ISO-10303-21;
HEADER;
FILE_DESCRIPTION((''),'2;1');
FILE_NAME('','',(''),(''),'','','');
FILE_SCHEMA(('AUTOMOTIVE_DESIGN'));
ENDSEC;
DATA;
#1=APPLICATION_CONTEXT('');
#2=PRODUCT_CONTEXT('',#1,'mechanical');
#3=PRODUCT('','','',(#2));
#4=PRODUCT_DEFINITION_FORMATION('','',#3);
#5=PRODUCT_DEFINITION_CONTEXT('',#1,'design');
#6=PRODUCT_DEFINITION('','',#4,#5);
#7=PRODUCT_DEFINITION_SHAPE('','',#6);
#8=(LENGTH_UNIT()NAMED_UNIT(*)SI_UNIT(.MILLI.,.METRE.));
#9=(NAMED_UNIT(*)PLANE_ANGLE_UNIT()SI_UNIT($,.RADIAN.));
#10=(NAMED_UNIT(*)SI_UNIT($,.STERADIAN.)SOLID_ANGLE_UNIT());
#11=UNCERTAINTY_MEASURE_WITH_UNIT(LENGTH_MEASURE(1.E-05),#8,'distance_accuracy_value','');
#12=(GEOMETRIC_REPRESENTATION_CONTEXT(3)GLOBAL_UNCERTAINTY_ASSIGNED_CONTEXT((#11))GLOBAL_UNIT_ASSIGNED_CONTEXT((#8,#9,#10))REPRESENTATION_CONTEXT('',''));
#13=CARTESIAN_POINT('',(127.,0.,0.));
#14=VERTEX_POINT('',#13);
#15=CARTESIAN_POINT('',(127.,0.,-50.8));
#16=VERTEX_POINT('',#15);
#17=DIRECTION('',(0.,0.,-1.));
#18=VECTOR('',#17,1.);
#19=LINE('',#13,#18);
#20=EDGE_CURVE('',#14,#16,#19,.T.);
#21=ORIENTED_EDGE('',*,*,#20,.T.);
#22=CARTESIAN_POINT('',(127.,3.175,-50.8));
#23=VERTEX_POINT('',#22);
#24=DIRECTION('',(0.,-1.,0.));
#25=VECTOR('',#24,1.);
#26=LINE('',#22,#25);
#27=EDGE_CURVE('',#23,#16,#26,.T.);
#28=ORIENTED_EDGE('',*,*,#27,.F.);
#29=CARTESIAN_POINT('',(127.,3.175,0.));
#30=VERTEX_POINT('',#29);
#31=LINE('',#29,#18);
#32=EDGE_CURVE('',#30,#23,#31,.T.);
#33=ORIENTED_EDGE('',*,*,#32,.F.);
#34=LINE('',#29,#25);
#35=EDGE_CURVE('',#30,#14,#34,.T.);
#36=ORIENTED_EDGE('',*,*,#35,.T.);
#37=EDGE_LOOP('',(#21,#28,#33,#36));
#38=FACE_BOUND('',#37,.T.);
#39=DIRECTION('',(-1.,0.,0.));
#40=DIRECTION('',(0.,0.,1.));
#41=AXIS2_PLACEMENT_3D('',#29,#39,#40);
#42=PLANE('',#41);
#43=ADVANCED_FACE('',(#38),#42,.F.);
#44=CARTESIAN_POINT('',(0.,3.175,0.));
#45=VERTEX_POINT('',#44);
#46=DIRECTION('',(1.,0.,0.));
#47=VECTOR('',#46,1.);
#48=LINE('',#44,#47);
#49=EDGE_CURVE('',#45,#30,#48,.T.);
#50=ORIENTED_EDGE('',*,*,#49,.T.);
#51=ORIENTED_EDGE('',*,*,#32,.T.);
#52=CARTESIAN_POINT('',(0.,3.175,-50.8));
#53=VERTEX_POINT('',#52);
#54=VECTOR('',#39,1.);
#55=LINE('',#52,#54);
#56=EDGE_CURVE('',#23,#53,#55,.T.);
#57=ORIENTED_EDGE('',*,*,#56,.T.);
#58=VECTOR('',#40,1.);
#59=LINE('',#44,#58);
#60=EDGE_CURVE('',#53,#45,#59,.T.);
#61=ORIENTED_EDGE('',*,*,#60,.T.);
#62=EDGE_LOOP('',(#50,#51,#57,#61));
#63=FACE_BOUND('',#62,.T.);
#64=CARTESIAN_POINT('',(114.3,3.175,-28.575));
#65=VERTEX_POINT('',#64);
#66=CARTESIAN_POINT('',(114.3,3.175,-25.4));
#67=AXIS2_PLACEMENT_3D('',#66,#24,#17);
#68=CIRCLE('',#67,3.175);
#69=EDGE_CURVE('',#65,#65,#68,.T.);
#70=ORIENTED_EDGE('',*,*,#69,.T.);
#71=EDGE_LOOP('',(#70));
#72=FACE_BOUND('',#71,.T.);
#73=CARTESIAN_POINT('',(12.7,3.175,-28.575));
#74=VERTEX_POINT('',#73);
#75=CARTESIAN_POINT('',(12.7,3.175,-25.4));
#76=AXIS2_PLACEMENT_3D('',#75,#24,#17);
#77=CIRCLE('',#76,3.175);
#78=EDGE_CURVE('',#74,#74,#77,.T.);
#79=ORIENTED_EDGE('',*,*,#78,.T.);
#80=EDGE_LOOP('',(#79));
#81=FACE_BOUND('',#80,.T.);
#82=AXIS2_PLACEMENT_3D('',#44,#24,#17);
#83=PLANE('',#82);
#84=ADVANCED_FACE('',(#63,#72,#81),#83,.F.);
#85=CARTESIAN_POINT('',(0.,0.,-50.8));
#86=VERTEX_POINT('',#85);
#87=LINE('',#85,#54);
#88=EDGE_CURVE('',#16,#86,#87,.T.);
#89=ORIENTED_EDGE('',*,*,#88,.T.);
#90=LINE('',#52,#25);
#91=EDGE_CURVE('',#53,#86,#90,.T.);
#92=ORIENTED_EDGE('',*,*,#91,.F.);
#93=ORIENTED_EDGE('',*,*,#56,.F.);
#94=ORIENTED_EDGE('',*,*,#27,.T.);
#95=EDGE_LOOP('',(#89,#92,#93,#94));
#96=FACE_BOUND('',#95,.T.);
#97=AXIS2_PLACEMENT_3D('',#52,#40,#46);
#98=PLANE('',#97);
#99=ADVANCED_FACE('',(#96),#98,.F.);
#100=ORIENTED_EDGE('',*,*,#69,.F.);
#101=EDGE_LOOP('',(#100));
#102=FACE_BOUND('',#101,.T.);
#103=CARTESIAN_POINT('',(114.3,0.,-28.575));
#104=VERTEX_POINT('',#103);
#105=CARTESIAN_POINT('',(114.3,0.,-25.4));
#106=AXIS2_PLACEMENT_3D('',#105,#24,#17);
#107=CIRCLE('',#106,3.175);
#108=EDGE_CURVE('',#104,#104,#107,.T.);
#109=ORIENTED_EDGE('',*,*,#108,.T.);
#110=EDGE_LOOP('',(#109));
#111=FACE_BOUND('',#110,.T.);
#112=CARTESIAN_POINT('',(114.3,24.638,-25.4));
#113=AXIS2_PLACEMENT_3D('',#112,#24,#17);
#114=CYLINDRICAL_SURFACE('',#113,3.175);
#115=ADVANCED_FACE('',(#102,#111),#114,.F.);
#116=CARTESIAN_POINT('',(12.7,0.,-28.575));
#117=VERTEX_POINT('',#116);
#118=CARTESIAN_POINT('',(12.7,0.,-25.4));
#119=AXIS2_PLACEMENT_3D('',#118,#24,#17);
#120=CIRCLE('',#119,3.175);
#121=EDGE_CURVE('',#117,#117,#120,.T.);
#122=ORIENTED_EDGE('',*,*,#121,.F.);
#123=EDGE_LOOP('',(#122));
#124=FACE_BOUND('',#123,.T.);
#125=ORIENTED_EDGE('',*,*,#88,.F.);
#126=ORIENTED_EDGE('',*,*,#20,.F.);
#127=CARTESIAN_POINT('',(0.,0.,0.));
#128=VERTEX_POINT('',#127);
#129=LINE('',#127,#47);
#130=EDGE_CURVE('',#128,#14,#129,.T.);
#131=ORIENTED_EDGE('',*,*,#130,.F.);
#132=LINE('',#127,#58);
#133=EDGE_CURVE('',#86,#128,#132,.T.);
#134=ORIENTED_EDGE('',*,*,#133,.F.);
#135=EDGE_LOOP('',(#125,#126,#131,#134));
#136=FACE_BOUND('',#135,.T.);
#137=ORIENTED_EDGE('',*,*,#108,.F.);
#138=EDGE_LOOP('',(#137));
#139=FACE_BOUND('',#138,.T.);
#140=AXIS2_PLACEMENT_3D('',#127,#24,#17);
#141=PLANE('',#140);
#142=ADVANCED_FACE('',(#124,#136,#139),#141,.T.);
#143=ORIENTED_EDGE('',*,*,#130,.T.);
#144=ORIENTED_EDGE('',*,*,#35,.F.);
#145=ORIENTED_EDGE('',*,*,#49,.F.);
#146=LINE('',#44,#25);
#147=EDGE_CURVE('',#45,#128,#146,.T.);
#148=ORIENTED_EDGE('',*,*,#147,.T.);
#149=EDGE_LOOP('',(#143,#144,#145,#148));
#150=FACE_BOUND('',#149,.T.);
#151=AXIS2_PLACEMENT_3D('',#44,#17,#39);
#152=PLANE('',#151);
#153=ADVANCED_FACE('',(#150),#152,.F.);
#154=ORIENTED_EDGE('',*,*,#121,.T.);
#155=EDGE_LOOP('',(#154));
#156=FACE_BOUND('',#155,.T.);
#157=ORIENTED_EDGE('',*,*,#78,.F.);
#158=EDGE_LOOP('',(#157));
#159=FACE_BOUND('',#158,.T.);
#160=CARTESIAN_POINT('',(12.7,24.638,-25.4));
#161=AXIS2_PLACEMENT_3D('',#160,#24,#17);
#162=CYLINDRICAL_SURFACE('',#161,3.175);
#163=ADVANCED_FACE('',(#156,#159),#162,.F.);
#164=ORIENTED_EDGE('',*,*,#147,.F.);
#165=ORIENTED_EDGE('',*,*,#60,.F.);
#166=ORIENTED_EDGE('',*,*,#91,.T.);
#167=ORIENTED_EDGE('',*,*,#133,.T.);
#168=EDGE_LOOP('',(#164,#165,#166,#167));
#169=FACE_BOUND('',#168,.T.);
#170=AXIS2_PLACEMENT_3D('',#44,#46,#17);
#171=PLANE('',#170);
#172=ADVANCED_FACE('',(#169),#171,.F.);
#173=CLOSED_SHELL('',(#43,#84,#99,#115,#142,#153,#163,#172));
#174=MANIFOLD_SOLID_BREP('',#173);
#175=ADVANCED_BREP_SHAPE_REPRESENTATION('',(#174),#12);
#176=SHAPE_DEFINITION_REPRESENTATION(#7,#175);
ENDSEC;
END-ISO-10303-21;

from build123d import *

# Parameters (mm, degrees)
SKETCH1_W           = 127
SKETCH1_H           = 50.8
BOSS_EXTRUDE1_DEPTH = 3.175
SKETCH2_R           = 3.175
CUT_EXTRUDE1_DEPTH  = 24.638


with BuildPart() as part:
    # Sketch1 → Boss-Extrude1 (new body)
    with BuildSketch(Plane(origin=(0, 0, 0), x_dir=(1, 0, 0), z_dir=(0, 1, 0))):
        with Locations((63.5, 25.4)):
            Rectangle(SKETCH1_W, SKETCH1_H)
    extrude(amount=BOSS_EXTRUDE1_DEPTH)

    # Sketch2 → Cut-Extrude1 (cut)
    with BuildSketch(Plane(origin=(0, 0, 0), x_dir=(-1, 0, 0), z_dir=(0, -1, 0))):
        with Locations(Location((-114.3, 25.4, 0), (0, 0, 90))):
            Circle(SKETCH2_R)
        with Locations(Location((-12.7, 25.4, 0), (0, 0, 90))):
            Circle(SKETCH2_R)
    extrude(amount=-CUT_EXTRUDE1_DEPTH, mode=Mode.SUBTRACT)


solid = part.part
